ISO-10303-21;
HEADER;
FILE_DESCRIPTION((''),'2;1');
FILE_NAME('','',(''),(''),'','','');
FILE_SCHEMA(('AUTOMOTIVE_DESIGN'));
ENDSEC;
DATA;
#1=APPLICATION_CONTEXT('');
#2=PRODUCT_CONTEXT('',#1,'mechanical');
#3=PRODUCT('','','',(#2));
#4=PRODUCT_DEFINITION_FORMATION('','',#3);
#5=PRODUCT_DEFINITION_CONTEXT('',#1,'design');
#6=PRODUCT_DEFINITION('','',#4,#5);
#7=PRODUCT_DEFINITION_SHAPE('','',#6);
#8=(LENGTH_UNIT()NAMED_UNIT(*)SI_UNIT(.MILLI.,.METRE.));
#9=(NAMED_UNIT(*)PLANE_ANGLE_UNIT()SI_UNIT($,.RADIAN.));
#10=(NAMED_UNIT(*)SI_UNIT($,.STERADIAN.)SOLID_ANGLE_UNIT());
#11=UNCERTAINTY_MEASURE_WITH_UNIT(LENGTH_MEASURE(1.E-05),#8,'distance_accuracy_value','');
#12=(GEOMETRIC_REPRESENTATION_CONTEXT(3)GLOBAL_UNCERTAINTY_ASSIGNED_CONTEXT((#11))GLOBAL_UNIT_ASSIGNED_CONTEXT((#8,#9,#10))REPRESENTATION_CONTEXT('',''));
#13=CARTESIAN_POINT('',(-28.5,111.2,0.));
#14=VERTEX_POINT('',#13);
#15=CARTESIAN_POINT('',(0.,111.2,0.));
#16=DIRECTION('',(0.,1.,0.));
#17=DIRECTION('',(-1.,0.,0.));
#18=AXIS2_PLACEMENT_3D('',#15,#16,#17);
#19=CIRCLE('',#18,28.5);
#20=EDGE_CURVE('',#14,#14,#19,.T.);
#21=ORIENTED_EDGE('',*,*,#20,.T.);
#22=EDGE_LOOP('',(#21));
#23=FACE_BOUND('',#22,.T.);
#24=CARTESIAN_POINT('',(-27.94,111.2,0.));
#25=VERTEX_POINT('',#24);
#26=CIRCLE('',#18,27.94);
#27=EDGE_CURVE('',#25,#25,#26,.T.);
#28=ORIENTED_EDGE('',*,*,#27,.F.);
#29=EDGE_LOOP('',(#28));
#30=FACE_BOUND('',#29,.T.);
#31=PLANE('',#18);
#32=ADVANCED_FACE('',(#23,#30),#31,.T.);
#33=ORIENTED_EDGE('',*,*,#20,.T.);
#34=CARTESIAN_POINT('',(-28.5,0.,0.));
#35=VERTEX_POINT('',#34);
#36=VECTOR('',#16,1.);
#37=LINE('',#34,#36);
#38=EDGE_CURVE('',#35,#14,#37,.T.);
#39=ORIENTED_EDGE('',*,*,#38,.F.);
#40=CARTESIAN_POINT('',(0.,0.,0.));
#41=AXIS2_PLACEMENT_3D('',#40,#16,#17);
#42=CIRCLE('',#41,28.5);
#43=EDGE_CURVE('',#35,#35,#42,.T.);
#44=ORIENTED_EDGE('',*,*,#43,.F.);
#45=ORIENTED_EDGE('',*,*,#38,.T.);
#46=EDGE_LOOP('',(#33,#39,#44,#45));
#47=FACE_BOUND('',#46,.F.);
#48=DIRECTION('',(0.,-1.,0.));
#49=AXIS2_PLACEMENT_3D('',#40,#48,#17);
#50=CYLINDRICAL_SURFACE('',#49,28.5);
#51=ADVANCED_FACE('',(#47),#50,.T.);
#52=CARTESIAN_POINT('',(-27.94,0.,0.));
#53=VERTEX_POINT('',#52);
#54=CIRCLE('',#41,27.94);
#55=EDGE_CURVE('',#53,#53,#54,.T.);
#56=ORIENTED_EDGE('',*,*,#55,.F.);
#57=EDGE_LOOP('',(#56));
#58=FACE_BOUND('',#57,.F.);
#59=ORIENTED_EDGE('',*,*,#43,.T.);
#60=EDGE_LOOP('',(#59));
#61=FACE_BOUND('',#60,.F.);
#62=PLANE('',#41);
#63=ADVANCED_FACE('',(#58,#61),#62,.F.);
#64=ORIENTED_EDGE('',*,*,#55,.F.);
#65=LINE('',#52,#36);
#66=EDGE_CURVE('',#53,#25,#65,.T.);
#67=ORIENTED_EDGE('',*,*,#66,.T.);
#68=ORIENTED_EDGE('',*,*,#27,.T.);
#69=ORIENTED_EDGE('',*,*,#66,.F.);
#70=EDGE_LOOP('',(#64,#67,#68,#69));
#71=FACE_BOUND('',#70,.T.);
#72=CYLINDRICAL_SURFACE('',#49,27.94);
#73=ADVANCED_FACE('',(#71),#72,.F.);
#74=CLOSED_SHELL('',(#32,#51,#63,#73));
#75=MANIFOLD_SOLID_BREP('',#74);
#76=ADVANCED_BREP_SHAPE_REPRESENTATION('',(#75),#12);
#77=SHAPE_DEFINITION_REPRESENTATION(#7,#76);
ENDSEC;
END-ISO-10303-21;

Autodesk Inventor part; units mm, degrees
ref_plane "YZ Plane" through (0, 0, 0) normal (1, 0, 0) x (0, 1, 0)
ref_plane "XZ Plane" through (0, 0, 0) normal (0, 1, 0) x (-1, 0, 0)
ref_plane "XY Plane" through (0, 0, 0) normal (0, 0, 1) x (1, 0, 0)
sketch "Sketch1" plane through (0, 0, 0) normal (0, 1, 0) x (-1, 0, 0)
  circle A0 centre (0, 0) radius 28.5
  circle A1 centre (0, 0) radius 27.94
  dimension "d0" = 57
  dimension "d1" = 55.88
extrude "Extrusion1" add sketch "Sketch1" along normal blind 111.2
properties part number "Lens Ring"
